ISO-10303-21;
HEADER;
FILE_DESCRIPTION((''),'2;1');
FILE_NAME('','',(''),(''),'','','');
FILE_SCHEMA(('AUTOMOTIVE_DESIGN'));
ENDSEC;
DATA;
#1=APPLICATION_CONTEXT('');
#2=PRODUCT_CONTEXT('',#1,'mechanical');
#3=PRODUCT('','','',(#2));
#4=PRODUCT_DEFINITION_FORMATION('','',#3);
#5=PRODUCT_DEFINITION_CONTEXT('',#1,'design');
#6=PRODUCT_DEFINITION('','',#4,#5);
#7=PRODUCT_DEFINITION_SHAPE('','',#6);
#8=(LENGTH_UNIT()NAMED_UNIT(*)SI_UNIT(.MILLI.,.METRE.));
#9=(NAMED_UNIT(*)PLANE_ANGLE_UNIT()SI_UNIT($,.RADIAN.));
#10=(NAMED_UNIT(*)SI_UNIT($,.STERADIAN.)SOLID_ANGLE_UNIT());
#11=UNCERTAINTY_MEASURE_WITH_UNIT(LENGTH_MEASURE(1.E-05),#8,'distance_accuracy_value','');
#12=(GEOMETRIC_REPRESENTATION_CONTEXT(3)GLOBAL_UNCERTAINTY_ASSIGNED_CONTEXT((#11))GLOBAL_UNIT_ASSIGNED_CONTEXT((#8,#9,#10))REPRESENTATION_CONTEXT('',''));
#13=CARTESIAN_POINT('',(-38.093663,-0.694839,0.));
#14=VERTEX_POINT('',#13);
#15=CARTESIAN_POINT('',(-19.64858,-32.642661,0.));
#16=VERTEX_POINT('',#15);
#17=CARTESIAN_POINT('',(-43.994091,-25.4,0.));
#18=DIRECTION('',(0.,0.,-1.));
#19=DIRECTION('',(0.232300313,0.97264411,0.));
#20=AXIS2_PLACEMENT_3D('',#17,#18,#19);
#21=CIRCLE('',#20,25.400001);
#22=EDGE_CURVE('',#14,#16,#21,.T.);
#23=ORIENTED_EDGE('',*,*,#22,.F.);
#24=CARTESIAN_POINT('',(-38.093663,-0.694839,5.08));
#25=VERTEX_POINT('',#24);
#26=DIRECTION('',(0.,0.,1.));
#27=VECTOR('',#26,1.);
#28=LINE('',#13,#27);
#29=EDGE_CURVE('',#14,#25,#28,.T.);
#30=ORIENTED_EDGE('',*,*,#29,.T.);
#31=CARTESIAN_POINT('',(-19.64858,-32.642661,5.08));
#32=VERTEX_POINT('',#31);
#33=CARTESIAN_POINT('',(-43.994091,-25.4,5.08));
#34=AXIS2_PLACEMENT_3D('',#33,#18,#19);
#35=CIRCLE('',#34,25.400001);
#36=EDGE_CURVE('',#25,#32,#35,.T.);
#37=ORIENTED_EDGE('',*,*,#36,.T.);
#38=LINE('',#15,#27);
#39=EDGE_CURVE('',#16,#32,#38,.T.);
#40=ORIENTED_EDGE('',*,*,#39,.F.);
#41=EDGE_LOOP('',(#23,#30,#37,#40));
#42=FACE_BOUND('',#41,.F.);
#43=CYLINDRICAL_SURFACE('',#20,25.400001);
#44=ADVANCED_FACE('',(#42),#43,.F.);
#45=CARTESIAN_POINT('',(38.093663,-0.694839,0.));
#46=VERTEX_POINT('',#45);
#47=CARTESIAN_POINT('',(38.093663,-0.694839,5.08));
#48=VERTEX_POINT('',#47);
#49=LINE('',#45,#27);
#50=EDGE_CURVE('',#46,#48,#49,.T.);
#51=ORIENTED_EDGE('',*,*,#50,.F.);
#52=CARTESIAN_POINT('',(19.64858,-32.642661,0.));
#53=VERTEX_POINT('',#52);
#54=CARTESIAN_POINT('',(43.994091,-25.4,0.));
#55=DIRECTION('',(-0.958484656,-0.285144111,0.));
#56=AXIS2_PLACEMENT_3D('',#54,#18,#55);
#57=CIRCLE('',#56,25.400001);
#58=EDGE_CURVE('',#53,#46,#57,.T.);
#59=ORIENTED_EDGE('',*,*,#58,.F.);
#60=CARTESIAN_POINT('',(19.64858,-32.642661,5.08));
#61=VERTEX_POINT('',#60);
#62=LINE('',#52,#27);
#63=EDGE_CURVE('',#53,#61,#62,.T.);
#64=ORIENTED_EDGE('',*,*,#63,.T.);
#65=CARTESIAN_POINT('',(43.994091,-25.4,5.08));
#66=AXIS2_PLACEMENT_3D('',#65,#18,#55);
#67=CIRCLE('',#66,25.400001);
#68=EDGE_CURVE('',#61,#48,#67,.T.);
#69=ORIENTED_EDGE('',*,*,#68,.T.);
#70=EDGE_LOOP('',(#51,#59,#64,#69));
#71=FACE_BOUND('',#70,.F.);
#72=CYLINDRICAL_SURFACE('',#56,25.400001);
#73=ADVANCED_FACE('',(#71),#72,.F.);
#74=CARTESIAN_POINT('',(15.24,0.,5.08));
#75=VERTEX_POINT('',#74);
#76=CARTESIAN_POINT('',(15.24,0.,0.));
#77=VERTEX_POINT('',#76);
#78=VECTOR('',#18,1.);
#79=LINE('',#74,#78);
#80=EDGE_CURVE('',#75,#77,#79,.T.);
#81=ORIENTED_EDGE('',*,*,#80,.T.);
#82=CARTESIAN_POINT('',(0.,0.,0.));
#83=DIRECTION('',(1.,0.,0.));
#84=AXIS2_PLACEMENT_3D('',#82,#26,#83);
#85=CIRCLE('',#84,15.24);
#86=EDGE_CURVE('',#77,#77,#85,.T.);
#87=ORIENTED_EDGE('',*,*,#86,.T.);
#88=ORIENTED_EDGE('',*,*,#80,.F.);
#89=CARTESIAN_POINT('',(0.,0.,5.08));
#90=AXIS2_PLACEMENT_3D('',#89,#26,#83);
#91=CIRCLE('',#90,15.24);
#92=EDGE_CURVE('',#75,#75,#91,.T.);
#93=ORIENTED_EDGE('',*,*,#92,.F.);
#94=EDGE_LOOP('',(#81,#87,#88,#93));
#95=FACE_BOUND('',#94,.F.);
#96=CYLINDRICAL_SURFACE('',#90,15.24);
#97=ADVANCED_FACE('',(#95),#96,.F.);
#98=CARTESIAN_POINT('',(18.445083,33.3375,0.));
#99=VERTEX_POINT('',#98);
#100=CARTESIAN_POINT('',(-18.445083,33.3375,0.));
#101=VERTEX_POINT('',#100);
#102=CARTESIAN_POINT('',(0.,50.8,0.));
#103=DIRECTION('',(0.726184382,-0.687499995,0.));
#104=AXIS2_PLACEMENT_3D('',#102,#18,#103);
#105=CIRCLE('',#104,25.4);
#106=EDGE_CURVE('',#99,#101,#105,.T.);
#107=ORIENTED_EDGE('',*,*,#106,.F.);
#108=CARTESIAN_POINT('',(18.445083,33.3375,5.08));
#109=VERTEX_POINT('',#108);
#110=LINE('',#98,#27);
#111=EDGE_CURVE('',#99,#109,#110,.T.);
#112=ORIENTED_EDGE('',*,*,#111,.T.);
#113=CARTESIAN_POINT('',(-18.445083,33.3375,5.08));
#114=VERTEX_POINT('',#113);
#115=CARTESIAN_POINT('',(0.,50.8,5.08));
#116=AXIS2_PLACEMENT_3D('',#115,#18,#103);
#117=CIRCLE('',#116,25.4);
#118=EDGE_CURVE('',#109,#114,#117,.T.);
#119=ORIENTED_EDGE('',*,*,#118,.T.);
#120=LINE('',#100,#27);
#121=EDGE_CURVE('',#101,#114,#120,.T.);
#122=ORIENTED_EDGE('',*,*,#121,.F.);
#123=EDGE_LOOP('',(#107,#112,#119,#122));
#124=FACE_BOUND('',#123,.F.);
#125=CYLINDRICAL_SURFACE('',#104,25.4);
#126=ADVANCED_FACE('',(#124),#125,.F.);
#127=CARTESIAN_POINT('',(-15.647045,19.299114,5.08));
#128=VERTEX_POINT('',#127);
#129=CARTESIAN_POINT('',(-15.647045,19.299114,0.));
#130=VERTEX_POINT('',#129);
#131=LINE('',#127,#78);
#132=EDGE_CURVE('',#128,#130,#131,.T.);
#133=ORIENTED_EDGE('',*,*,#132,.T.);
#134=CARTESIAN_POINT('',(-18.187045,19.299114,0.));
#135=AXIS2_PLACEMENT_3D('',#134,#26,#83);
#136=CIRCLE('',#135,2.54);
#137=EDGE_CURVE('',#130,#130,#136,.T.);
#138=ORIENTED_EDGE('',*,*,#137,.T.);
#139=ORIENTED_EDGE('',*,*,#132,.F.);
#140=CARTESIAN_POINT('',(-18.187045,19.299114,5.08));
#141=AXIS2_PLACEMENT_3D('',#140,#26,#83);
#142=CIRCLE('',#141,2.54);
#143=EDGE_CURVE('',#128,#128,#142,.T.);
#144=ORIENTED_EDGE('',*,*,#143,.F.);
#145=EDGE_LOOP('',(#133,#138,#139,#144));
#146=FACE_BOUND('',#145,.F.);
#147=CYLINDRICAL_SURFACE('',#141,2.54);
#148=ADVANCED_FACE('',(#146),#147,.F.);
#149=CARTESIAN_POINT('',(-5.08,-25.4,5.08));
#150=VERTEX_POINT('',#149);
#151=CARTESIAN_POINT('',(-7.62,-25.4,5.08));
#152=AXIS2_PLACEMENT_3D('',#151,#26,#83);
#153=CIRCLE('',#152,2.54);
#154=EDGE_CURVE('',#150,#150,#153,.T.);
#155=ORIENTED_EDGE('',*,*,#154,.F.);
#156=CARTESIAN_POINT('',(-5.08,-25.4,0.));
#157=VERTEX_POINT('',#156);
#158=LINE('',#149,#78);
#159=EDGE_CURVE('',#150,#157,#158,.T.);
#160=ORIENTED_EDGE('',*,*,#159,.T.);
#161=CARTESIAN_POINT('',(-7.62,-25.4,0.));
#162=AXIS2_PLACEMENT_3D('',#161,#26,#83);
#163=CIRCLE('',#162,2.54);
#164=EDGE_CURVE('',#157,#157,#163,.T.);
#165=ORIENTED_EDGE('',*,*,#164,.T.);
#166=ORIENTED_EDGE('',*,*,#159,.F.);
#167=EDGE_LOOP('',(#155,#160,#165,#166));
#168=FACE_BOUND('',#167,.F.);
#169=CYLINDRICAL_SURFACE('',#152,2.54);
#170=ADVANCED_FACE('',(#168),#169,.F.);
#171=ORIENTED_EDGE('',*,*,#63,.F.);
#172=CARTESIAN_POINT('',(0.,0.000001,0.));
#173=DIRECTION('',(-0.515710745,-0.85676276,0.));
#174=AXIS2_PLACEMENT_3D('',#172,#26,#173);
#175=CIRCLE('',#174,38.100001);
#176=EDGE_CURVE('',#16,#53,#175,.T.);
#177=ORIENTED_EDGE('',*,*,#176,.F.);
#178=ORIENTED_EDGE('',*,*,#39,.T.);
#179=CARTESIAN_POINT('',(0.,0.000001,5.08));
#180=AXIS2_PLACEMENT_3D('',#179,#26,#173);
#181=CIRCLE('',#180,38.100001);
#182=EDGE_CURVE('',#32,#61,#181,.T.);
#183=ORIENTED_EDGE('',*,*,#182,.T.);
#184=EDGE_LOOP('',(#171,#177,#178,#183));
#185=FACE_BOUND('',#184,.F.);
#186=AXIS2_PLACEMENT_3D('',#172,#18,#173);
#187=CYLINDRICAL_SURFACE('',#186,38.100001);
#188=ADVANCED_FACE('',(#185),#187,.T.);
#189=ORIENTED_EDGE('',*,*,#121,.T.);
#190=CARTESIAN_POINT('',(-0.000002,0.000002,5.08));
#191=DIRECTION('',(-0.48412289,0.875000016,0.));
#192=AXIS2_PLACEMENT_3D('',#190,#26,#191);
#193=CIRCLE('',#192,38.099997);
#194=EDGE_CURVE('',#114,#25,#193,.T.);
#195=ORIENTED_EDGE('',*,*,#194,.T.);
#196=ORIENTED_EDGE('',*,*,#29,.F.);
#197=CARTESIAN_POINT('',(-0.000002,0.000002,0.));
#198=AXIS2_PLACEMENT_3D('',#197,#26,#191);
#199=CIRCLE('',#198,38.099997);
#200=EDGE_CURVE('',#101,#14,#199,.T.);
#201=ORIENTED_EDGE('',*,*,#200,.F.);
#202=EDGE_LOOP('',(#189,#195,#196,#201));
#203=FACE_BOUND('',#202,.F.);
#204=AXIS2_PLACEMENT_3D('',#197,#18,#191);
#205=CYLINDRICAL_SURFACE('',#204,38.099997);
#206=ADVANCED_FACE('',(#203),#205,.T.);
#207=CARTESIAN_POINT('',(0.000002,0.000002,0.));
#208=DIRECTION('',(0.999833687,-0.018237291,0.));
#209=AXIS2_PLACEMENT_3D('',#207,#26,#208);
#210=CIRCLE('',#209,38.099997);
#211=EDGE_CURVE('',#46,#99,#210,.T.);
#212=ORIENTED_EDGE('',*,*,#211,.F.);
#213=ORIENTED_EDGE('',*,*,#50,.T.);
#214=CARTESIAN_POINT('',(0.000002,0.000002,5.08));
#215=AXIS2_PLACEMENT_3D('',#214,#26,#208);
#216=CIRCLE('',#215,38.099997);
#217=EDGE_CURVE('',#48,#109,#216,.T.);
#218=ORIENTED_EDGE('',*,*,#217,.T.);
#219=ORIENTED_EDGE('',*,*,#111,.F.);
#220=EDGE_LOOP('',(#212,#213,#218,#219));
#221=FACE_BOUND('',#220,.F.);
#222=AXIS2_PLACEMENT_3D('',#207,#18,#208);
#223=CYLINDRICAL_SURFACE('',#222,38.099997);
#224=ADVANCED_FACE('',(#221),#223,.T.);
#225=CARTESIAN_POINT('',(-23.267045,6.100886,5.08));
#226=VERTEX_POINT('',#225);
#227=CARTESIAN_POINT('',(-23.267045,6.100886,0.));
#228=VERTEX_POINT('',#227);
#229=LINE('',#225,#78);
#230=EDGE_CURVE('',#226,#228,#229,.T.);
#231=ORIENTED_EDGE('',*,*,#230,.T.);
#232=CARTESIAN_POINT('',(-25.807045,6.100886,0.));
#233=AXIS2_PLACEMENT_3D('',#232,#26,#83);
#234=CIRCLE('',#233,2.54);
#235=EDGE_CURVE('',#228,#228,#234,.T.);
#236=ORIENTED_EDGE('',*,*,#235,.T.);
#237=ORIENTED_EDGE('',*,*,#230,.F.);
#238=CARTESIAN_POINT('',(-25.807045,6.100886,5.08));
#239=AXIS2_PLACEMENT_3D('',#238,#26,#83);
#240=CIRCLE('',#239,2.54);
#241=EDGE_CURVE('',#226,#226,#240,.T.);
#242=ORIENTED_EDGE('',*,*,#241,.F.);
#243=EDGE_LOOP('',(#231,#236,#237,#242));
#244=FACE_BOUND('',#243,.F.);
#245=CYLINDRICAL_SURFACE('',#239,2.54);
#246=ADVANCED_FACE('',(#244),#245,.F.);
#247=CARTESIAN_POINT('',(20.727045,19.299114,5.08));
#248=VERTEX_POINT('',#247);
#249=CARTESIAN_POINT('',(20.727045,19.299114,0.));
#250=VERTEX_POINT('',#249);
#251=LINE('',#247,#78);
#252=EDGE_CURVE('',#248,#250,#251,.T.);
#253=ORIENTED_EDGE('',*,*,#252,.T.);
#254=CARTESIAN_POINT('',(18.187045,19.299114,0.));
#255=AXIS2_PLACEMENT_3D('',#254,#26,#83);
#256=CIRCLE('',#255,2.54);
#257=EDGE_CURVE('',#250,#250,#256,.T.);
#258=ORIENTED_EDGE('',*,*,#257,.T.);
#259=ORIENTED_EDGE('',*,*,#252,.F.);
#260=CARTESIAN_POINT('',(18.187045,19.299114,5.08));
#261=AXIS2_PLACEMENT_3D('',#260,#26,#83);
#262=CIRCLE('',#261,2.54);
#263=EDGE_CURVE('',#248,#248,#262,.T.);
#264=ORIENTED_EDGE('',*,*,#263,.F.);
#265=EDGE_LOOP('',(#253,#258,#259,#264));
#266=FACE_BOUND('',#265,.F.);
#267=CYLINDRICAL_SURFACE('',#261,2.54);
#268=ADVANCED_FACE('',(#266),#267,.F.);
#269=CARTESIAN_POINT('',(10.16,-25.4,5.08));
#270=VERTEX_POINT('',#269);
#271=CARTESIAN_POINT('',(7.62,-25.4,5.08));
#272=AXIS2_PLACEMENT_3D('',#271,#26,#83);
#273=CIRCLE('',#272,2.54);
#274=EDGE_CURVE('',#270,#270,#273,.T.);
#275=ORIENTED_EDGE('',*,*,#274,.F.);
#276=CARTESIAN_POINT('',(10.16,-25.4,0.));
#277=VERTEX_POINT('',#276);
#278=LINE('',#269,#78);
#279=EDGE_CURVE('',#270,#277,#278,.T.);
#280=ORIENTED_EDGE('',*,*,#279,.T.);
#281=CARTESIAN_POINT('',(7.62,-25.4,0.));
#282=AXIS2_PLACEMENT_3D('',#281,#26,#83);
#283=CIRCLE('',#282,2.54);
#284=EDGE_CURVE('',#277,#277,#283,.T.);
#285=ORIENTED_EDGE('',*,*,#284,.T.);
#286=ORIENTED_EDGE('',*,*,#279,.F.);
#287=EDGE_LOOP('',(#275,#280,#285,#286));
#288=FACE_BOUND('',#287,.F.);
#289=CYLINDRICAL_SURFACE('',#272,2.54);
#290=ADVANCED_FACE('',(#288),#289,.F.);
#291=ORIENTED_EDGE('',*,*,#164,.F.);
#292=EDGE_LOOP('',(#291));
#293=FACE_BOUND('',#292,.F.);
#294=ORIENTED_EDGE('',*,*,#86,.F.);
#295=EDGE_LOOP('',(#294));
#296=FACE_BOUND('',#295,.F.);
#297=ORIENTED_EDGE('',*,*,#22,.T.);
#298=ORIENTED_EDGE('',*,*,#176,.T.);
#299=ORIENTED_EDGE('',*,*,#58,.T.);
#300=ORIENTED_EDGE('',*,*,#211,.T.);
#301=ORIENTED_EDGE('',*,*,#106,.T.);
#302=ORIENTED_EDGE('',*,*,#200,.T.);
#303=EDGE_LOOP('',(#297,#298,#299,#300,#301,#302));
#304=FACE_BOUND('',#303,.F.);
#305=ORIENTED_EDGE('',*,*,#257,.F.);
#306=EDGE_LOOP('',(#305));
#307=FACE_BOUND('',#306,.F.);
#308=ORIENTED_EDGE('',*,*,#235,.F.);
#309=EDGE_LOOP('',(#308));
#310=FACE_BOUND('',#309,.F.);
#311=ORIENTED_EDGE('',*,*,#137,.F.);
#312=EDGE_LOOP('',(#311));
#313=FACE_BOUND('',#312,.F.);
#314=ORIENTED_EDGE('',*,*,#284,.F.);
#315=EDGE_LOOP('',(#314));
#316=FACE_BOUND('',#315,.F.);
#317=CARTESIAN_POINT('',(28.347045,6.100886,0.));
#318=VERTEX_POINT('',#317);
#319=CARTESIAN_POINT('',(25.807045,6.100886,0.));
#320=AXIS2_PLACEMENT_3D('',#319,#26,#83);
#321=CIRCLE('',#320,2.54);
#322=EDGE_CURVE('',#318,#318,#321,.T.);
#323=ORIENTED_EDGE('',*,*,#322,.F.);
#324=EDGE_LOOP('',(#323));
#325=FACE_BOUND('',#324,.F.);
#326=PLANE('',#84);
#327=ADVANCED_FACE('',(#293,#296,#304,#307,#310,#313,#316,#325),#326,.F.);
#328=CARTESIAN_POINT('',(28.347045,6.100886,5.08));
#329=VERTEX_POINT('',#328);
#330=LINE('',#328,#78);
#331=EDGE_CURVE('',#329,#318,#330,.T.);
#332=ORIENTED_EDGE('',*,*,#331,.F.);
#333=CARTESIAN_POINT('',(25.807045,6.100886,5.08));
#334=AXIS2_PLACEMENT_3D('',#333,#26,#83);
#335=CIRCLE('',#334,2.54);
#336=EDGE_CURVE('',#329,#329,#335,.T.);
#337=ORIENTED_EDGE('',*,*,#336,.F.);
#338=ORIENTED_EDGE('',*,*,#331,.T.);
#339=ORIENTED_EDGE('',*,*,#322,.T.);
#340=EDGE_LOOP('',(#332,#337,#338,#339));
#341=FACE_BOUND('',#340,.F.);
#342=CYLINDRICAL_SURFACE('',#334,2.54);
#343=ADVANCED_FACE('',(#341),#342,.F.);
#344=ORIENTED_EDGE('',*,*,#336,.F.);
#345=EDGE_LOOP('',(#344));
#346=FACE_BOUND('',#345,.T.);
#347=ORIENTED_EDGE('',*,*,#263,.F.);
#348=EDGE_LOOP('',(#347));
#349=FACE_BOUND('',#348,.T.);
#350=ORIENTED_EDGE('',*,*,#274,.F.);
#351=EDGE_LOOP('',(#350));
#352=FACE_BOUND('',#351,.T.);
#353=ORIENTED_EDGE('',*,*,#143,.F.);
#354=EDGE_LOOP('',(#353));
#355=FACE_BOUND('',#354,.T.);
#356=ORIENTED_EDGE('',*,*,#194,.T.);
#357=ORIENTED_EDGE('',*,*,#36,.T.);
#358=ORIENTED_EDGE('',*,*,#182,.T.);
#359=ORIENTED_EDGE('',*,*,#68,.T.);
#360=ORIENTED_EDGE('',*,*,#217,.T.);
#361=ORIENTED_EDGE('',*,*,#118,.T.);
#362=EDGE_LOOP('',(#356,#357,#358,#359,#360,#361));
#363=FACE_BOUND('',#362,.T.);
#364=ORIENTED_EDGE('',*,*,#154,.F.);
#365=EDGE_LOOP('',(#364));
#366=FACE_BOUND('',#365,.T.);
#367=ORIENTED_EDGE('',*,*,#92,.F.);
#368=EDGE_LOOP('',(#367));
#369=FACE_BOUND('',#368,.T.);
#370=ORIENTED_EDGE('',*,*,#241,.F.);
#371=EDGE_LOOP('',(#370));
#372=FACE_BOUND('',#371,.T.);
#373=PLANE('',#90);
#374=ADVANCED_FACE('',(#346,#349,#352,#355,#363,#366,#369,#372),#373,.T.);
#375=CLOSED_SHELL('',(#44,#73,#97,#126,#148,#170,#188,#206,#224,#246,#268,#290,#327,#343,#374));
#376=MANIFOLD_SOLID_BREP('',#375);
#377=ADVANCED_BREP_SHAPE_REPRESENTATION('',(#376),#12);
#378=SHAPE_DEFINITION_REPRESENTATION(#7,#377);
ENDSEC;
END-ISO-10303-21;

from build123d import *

# Parameters (mm, degrees)
F1_DEPTH = 5.08
F2_R     = 15.24
F3_DEPTH = 25.4
F2_R_2   = 2.54
F4_DEPTH = 25.4


with BuildPart() as f1:
    # F0 (on Top) → F1 (new body)
    with BuildSketch(Plane.XY):
        with BuildLine():
            ThreePointArc((18.445083, 33.3375), (0, 25.4), (-18.445083, 33.3375))
            ThreePointArc((-18.445083, 33.3375), (-32.995568, 19.05), (-38.093663, -0.694839))
            ThreePointArc((-38.093663, -0.694839), (-21.997045, -12.7), (-19.64858, -32.642661))
            ThreePointArc((-19.64858, -32.642661), (0, -38.1), (19.64858, -32.642661))
            ThreePointArc((19.64858, -32.642661), (21.997045, -12.7), (38.093663, -0.694839))
            ThreePointArc((38.093663, -0.694839), (32.995568, 19.05), (18.445083, 33.3375))
        make_face()
    extrude(amount=F1_DEPTH)

    # F2 (on face) → F3 (cut)
    with BuildSketch(Plane.XY.offset(5.08)):
        Circle(F2_R)
    extrude(amount=-F3_DEPTH, mode=Mode.SUBTRACT)

    # F2 (on face) → F4 (cut)
    with BuildSketch(Plane.XY.offset(5.08)):
        with Locations((7.62, -25.4)):
            Circle(F2_R_2)
        with Locations((-7.62, -25.4)):
            Circle(F2_R_2)
        with Locations((-25.807045, 6.100886)):
            Circle(F2_R_2)
        with Locations((-18.187045, 19.299114)):
            Circle(F2_R_2)
        with Locations((18.187045, 19.299114)):
            Circle(F2_R_2)
        with Locations((25.807045, 6.100886)):
            Circle(F2_R_2)
    extrude(amount=-F4_DEPTH, mode=Mode.SUBTRACT)


solid = f1.part
